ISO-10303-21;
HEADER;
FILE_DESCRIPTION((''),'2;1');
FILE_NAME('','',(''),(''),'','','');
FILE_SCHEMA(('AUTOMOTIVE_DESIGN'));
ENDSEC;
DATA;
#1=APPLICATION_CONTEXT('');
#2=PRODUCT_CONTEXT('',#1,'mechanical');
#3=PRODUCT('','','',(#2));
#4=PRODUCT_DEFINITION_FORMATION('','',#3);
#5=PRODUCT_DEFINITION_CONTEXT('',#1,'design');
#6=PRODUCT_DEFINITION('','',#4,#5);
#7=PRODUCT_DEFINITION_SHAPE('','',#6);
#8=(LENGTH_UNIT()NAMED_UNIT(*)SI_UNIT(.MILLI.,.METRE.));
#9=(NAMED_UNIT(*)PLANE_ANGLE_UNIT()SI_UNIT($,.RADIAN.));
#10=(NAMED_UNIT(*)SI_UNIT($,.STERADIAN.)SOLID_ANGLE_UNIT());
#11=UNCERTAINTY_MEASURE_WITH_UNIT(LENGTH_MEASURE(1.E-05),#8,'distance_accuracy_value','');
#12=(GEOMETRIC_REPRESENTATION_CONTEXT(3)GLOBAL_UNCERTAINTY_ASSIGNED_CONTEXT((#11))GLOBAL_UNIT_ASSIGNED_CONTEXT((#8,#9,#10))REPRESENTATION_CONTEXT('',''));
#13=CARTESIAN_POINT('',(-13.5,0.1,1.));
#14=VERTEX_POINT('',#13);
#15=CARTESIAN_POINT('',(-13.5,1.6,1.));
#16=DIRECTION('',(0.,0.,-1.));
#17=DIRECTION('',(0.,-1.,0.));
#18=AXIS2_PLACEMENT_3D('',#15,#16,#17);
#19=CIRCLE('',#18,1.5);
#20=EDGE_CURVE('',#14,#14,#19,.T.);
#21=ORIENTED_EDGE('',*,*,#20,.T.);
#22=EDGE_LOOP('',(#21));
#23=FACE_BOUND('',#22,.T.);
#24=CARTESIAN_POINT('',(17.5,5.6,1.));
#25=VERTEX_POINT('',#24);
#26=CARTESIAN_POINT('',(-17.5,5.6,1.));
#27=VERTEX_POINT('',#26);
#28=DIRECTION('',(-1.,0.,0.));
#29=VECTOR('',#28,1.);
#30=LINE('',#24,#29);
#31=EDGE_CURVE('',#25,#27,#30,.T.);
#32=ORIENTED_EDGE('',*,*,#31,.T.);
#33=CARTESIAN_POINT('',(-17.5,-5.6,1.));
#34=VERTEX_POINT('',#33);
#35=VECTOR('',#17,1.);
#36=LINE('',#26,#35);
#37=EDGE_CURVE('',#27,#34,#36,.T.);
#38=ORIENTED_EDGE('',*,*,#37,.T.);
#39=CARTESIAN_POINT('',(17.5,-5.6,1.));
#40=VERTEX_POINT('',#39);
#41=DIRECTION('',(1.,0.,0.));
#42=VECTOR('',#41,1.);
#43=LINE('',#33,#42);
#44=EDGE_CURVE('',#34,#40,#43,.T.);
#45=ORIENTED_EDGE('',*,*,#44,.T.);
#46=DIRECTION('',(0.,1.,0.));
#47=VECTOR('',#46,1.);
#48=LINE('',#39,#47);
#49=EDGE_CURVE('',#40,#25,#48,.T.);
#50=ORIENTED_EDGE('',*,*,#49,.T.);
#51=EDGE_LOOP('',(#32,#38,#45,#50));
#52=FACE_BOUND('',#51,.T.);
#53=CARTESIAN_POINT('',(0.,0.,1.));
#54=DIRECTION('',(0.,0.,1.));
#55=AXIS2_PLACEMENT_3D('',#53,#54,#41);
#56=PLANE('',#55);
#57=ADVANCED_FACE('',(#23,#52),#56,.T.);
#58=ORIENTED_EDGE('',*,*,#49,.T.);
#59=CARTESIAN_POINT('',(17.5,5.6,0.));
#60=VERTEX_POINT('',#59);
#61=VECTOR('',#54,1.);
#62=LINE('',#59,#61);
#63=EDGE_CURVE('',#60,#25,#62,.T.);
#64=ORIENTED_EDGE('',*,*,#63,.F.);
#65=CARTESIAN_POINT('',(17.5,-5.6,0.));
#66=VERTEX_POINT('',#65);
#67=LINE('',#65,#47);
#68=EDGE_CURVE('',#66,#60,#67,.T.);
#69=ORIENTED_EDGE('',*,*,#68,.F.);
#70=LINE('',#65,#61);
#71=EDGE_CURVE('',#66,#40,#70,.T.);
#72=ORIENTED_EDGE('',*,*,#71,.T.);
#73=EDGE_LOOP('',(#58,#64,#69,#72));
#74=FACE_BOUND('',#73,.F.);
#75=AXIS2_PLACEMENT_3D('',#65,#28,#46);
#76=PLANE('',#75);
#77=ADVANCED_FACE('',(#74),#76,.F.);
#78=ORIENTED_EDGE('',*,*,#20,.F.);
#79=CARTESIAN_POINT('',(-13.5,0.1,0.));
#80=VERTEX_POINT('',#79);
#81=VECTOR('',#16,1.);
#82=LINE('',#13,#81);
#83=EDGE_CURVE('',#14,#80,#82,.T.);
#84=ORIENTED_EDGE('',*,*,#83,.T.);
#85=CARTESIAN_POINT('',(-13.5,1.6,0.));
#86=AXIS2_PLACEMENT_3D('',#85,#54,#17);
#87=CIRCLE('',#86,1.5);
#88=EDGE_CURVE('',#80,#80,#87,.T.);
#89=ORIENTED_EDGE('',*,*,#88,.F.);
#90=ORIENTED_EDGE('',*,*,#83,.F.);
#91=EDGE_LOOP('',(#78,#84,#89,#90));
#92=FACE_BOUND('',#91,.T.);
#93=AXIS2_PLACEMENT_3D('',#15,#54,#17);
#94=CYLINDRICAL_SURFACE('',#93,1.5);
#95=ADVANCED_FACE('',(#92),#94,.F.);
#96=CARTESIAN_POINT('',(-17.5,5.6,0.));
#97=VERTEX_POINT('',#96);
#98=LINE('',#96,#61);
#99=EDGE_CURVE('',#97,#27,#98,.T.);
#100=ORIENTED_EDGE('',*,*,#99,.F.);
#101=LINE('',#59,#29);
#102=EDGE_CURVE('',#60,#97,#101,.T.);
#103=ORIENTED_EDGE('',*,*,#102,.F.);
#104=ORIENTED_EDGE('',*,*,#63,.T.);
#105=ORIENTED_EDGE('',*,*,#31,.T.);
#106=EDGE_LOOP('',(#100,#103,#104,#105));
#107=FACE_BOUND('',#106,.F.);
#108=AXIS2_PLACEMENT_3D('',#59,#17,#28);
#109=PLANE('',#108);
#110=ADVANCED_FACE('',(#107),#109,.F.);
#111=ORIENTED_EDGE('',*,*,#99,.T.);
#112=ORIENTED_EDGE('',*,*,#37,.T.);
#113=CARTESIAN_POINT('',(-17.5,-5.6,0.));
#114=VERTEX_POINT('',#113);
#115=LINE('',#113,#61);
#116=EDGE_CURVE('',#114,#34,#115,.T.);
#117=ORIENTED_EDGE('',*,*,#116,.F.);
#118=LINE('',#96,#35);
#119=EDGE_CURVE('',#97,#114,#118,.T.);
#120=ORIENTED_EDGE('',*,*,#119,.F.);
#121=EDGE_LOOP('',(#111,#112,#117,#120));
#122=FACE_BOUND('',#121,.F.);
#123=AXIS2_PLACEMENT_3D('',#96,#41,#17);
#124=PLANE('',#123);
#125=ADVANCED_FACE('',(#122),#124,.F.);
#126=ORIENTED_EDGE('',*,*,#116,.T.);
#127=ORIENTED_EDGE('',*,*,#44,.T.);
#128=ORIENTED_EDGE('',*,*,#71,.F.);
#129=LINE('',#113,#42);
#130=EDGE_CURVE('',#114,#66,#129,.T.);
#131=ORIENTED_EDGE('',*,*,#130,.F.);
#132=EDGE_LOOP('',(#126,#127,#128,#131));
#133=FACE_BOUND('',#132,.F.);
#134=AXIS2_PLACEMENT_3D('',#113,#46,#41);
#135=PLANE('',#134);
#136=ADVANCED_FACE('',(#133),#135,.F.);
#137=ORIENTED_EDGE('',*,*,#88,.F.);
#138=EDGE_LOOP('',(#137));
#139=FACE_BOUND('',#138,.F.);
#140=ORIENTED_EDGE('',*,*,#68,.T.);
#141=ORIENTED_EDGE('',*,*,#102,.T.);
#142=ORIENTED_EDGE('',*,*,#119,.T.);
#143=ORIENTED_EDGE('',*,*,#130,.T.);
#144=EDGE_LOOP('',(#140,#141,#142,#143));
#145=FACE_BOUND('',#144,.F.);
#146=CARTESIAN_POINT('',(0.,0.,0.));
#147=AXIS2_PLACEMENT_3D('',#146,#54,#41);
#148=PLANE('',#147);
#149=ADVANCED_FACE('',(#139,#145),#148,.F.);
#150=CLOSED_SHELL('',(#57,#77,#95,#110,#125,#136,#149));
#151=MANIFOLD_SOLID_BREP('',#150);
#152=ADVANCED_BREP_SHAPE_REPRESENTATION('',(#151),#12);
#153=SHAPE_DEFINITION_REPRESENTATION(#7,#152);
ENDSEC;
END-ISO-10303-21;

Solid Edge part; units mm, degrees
sketch "Sketch1" plane through (0, 0, 0) normal (0, 0, 1) x (1, 0, 0)
  line L0 (17.5, 5.6) -> (-17.5, 5.6)
  line L1 (-17.5, 5.6) -> (-17.5, -5.6)
  line L2 (-17.5, -5.6) -> (17.5, -5.6)
  line L3 (17.5, -5.6) -> (17.5, 5.6)
extrude "Protrusion1" add sketch "Sketch1" along normal blind 1
hole "Hole_1" at (-13.5, 1.6, 1) direction (0, 0, -1) diameter 3 end through all
